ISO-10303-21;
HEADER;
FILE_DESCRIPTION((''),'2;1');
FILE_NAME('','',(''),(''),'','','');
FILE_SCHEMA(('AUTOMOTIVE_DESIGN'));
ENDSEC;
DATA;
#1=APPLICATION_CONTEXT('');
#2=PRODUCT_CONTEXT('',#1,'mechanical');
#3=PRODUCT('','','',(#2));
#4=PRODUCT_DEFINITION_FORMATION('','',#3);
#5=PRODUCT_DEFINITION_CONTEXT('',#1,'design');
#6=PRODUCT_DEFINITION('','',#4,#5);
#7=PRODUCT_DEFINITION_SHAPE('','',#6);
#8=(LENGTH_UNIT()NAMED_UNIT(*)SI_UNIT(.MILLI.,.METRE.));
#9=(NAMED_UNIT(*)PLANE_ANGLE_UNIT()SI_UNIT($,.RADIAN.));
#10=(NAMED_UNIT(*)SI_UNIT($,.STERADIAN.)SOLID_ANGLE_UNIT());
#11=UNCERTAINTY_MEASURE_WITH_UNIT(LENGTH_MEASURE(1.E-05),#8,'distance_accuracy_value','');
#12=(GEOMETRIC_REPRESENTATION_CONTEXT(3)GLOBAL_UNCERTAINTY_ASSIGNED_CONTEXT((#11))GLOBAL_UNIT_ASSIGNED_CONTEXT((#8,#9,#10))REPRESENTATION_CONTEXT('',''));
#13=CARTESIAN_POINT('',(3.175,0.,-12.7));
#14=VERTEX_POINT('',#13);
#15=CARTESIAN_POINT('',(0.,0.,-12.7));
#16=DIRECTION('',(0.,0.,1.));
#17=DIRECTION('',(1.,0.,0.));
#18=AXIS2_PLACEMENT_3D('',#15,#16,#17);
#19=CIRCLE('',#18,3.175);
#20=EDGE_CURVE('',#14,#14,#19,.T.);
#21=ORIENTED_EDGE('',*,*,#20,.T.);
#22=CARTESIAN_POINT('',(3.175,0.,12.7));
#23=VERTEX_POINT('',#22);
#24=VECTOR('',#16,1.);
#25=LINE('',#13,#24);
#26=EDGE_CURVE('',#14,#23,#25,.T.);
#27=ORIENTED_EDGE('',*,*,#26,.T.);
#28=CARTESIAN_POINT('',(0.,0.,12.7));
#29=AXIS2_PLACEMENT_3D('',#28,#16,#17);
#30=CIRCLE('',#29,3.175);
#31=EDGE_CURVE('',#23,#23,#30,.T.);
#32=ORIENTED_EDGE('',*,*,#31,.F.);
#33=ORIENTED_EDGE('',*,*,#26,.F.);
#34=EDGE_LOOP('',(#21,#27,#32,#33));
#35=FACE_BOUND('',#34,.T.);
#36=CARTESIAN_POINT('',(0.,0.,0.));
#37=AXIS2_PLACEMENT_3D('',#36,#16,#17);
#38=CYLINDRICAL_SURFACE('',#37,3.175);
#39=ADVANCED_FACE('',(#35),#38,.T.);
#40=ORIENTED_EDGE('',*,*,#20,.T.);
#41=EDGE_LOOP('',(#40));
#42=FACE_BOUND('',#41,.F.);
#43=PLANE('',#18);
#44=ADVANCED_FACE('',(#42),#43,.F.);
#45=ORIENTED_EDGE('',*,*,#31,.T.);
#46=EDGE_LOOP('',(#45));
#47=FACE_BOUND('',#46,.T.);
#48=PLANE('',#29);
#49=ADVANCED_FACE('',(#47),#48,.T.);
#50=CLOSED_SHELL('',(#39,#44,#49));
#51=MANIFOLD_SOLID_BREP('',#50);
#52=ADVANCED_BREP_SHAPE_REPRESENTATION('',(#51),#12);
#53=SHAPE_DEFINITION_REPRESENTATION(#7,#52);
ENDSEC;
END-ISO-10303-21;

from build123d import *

# Parameters (mm, degrees)
SKETCH1_R           = 3.175
BOSS_EXTRUDE1_DEPTH = 12.7


with BuildPart() as part:
    # Sketch1 → Boss-Extrude1 (new body, symmetric)
    with BuildSketch(Plane.XY):
        Circle(SKETCH1_R)
    extrude(amount=BOSS_EXTRUDE1_DEPTH, both=True)


solid = part.part
